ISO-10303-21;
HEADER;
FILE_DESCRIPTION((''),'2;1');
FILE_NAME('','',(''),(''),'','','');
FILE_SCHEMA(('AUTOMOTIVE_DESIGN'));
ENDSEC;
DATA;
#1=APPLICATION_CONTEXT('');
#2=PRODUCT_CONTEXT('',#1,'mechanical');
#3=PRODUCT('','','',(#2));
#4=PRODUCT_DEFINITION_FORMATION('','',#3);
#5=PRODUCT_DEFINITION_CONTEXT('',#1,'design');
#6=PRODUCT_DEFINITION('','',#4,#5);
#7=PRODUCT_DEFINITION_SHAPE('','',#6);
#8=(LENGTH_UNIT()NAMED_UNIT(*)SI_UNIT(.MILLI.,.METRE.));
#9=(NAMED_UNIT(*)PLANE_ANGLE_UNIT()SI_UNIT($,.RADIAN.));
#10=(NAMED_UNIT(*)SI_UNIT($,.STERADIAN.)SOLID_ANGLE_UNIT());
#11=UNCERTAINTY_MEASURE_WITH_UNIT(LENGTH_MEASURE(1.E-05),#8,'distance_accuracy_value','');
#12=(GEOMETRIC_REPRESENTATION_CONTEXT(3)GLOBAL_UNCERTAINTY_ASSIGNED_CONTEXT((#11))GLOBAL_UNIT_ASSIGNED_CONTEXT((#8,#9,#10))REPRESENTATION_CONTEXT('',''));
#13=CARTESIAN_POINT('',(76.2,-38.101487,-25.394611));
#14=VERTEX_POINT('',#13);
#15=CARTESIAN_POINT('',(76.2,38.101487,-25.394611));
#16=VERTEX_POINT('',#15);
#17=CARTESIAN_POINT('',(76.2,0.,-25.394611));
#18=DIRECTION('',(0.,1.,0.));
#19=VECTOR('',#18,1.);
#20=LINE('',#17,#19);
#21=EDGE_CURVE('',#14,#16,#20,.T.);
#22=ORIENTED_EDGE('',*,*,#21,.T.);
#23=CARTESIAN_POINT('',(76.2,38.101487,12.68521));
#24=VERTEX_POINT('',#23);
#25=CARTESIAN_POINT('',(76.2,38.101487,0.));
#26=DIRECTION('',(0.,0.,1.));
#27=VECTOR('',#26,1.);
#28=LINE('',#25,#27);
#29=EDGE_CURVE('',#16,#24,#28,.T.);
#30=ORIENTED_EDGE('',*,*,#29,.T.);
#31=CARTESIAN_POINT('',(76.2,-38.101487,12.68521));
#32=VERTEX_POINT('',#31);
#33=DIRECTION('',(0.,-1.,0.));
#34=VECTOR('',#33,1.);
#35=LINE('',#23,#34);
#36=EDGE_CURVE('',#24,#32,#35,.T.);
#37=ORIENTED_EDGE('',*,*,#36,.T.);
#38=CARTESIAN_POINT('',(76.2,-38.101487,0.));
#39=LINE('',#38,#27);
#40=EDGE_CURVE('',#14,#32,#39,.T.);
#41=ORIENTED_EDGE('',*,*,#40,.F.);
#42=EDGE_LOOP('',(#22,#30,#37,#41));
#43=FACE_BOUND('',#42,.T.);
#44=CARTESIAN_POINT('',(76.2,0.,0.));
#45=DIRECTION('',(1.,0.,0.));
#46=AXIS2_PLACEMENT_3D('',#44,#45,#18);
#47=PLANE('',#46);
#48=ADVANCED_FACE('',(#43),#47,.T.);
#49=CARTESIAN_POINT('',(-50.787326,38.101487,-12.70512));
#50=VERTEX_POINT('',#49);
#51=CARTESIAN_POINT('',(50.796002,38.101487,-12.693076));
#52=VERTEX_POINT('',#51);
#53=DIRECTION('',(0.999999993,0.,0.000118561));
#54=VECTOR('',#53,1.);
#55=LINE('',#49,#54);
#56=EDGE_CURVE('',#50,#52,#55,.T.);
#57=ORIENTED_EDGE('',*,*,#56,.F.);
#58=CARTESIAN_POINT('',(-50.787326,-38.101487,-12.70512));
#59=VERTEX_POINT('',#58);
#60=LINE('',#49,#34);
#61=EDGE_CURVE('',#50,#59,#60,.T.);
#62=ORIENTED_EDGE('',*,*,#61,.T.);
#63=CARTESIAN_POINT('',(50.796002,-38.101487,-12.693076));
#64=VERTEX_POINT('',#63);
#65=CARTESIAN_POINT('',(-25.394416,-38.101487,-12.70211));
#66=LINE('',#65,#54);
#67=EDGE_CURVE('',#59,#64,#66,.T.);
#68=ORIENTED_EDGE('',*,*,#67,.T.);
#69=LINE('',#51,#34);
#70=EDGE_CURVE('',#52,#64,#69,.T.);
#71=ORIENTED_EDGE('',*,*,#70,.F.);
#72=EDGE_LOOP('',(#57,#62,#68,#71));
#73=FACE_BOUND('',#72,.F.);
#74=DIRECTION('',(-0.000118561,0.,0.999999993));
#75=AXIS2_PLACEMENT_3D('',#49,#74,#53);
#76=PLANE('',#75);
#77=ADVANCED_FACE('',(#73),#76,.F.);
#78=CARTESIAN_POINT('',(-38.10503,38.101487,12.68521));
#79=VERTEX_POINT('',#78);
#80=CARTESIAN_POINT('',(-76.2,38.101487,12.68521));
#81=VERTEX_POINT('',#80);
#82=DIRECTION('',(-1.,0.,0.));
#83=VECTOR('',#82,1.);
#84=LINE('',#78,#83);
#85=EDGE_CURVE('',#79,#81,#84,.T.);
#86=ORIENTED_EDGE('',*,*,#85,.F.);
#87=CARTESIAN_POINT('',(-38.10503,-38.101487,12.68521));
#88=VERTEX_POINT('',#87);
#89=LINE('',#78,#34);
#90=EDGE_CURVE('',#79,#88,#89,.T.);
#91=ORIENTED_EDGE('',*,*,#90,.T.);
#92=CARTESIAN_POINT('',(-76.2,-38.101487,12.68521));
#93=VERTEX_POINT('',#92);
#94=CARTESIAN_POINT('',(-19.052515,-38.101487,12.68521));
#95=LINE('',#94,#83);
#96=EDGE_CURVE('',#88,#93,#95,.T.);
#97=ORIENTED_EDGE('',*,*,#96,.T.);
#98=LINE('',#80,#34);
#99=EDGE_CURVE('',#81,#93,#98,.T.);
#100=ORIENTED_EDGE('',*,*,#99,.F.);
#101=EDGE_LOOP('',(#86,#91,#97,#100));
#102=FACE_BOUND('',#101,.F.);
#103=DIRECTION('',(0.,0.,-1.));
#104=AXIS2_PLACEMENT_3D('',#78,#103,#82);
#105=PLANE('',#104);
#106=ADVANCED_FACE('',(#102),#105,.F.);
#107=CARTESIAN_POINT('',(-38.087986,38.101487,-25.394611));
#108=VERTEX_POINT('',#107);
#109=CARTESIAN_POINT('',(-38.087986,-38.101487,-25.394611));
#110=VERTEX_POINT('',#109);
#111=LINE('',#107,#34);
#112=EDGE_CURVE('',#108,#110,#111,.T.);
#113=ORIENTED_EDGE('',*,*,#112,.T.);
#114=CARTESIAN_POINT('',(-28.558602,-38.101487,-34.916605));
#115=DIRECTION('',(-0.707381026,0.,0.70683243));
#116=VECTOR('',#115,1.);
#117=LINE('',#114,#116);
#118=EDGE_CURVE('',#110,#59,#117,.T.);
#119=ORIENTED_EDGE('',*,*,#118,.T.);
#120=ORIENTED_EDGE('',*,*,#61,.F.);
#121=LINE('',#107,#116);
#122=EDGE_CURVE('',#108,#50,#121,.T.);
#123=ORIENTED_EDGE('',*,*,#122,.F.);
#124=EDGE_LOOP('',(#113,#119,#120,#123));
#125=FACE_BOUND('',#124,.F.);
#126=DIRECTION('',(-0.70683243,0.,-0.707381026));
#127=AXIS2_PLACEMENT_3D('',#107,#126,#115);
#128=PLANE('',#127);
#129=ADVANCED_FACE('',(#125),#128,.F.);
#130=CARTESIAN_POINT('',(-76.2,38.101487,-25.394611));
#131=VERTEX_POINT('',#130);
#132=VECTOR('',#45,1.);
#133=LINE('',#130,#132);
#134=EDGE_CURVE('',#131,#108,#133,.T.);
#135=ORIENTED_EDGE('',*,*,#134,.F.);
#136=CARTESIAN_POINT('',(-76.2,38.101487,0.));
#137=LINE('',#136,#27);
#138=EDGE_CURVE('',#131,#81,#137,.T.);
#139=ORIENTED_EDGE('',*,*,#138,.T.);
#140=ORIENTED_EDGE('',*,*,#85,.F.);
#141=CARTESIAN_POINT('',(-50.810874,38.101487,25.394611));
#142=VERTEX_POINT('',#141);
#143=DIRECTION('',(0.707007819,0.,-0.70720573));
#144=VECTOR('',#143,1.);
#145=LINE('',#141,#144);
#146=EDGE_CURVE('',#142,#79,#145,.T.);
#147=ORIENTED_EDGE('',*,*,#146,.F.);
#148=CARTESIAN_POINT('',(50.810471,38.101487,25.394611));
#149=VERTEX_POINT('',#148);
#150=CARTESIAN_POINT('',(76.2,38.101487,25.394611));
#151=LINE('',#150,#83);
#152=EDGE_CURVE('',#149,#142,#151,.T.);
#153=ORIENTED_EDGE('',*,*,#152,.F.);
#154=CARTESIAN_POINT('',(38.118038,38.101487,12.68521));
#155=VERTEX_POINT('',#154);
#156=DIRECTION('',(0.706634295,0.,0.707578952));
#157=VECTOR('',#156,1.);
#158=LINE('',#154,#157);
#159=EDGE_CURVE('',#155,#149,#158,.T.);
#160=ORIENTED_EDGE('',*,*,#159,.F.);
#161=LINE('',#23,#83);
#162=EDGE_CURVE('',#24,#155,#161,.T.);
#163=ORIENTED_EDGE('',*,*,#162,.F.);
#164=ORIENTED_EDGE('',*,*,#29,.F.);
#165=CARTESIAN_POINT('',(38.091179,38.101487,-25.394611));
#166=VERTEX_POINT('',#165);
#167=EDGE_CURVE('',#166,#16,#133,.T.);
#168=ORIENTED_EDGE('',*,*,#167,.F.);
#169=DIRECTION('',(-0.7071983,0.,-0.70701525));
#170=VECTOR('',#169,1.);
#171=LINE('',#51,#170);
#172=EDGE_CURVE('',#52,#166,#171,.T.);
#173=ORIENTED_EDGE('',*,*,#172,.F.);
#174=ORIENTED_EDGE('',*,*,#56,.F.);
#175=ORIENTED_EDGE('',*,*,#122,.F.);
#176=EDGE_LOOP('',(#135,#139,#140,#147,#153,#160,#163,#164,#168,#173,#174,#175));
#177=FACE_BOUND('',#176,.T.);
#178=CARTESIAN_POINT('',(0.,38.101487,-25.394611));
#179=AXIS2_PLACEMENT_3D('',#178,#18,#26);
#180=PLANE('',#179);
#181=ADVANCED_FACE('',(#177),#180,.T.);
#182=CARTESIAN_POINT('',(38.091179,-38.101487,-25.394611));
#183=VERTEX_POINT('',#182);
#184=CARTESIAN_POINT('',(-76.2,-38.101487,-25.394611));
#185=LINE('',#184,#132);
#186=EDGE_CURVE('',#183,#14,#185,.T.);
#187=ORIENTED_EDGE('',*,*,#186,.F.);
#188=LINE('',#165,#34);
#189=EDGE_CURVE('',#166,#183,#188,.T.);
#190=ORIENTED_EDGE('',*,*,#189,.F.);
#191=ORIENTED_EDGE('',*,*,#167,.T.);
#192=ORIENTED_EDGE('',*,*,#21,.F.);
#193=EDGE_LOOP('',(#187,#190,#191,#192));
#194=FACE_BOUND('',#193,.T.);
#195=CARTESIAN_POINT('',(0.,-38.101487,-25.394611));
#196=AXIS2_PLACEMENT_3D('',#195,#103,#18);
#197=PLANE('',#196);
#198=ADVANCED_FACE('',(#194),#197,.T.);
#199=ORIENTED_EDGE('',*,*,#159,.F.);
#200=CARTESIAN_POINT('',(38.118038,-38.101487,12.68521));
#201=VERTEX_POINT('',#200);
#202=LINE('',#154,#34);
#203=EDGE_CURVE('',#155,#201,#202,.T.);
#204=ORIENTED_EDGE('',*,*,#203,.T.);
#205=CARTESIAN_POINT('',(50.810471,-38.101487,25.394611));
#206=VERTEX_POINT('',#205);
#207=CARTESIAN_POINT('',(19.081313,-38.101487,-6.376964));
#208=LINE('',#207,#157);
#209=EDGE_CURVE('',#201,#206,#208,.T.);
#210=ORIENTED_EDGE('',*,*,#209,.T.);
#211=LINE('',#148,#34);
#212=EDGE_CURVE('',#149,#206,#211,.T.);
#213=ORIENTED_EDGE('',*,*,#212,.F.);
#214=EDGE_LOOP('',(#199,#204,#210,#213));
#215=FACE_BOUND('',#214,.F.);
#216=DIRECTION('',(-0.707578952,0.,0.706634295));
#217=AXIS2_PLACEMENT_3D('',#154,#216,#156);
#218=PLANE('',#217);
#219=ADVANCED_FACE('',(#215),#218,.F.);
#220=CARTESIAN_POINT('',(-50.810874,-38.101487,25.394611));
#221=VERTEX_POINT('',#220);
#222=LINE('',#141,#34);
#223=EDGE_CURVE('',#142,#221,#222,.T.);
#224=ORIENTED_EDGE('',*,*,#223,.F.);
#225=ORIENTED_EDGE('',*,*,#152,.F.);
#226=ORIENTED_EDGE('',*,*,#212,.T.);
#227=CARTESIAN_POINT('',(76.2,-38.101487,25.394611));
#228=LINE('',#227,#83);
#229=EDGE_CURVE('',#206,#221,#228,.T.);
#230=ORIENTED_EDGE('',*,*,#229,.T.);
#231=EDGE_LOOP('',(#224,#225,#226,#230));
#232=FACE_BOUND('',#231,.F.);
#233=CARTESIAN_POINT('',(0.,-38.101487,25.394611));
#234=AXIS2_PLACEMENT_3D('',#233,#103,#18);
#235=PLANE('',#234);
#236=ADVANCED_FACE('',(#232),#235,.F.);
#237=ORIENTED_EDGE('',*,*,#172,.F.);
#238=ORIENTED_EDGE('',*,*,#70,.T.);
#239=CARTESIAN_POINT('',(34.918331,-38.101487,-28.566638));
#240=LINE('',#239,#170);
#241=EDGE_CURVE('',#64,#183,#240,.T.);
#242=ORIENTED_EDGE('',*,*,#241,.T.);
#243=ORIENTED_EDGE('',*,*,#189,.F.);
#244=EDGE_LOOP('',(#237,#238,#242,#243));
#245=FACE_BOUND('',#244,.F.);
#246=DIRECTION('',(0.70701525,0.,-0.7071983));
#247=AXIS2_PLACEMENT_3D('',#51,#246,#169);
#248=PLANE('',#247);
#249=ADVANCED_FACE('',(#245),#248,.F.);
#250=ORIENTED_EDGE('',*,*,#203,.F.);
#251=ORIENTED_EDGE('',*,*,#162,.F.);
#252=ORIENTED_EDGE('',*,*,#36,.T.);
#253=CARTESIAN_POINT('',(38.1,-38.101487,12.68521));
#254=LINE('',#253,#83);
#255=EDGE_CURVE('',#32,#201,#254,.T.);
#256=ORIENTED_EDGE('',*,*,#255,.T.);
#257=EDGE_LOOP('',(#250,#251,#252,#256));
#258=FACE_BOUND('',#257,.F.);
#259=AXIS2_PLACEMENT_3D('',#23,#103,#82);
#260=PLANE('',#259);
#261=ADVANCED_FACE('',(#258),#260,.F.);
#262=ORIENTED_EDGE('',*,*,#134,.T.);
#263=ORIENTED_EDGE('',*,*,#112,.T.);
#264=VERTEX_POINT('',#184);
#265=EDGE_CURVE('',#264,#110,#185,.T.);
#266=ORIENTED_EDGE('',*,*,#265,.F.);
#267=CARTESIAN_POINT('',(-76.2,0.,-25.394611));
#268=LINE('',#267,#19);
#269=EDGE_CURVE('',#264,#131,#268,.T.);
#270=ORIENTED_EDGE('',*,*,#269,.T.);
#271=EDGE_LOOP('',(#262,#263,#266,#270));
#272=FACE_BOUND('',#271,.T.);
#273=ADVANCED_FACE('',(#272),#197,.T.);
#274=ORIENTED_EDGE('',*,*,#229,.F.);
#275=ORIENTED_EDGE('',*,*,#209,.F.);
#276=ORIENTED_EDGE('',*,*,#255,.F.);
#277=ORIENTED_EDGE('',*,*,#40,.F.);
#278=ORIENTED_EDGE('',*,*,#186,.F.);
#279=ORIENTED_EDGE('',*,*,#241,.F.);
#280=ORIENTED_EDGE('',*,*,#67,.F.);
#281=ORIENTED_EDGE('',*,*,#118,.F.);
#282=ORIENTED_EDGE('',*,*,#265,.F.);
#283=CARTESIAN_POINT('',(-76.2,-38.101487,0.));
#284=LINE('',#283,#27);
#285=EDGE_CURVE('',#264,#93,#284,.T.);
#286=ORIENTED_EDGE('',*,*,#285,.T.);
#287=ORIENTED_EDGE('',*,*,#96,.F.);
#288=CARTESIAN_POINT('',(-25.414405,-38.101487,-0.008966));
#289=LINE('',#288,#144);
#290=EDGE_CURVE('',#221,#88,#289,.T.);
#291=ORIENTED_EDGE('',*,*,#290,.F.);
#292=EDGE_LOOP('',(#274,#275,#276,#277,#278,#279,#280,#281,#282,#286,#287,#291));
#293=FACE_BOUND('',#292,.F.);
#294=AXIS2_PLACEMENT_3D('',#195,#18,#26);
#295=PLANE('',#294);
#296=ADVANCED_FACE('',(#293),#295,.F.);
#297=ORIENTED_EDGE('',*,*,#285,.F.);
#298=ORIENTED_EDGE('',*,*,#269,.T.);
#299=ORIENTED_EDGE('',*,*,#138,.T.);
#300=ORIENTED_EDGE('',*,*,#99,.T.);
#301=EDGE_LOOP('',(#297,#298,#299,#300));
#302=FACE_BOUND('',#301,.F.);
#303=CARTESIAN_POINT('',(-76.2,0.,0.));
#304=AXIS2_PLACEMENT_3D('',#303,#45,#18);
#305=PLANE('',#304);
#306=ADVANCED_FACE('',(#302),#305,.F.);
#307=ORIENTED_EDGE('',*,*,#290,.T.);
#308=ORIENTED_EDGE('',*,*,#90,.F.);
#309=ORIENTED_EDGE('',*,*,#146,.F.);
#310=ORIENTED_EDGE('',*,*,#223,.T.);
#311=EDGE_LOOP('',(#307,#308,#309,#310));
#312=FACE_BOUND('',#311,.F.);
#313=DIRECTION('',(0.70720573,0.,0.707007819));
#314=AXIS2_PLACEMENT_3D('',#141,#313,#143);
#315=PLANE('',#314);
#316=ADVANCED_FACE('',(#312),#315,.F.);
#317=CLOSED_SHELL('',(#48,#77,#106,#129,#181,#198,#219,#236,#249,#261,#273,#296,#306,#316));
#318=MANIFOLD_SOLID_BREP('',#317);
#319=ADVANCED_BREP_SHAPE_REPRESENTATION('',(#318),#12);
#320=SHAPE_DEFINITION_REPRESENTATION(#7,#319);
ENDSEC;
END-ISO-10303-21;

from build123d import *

# Parameters (mm, degrees)
F0_W     = 76.2029737234
F0_H     = 50.7892221212
F1_DEPTH = 76.2
F2_DEPTH = 76.2
F3_W     = 25.3895288229
F3_H     = 12.7094006166
F4_DEPTH = 169.164


with BuildPart() as f1:
    # F0 (on Right) → F1 (new body)
    with BuildSketch(Plane.YZ):
        Rectangle(F0_W, F0_H)
    extrude(amount=F1_DEPTH)

    # F2 (add): a face of the model
    f2_faces = [f1.faces().sort_by_distance(p)[0] for p in [
        (0, 0, 0),
    ]]
    extrude(f2_faces, amount=F2_DEPTH)

    # F3 (on face) → F4 (cut)
    with BuildSketch(Plane(origin=(0, 38.1014868617, 0), x_dir=(-1, 0, 0), z_dir=(0, 1, 0))):
        Polygon((-50.7960021496, -12.6930763945), (-38.0911789834, -25.3946110606), (38.0879864097, -25.3946110606), (50.7873259485, -12.705120258), align=None)
        Polygon((76.2, 25.3946110606), (50.8108735085, 25.3946110606), (38.1050296128, 12.685210444), (50.8108735085, 12.685210444), (76.2, 12.685210444), align=None)
        Polygon((-50.8104711771, 25.3946110606), (-50.8104711771, 12.685210444), (-38.1180383265, 12.685210444), align=None)
        with Locations((-63.5052355886, 19.0399107523)):
            Rectangle(F3_W, F3_H)
    extrude(amount=-F4_DEPTH, mode=Mode.SUBTRACT)


solid = f1.part
